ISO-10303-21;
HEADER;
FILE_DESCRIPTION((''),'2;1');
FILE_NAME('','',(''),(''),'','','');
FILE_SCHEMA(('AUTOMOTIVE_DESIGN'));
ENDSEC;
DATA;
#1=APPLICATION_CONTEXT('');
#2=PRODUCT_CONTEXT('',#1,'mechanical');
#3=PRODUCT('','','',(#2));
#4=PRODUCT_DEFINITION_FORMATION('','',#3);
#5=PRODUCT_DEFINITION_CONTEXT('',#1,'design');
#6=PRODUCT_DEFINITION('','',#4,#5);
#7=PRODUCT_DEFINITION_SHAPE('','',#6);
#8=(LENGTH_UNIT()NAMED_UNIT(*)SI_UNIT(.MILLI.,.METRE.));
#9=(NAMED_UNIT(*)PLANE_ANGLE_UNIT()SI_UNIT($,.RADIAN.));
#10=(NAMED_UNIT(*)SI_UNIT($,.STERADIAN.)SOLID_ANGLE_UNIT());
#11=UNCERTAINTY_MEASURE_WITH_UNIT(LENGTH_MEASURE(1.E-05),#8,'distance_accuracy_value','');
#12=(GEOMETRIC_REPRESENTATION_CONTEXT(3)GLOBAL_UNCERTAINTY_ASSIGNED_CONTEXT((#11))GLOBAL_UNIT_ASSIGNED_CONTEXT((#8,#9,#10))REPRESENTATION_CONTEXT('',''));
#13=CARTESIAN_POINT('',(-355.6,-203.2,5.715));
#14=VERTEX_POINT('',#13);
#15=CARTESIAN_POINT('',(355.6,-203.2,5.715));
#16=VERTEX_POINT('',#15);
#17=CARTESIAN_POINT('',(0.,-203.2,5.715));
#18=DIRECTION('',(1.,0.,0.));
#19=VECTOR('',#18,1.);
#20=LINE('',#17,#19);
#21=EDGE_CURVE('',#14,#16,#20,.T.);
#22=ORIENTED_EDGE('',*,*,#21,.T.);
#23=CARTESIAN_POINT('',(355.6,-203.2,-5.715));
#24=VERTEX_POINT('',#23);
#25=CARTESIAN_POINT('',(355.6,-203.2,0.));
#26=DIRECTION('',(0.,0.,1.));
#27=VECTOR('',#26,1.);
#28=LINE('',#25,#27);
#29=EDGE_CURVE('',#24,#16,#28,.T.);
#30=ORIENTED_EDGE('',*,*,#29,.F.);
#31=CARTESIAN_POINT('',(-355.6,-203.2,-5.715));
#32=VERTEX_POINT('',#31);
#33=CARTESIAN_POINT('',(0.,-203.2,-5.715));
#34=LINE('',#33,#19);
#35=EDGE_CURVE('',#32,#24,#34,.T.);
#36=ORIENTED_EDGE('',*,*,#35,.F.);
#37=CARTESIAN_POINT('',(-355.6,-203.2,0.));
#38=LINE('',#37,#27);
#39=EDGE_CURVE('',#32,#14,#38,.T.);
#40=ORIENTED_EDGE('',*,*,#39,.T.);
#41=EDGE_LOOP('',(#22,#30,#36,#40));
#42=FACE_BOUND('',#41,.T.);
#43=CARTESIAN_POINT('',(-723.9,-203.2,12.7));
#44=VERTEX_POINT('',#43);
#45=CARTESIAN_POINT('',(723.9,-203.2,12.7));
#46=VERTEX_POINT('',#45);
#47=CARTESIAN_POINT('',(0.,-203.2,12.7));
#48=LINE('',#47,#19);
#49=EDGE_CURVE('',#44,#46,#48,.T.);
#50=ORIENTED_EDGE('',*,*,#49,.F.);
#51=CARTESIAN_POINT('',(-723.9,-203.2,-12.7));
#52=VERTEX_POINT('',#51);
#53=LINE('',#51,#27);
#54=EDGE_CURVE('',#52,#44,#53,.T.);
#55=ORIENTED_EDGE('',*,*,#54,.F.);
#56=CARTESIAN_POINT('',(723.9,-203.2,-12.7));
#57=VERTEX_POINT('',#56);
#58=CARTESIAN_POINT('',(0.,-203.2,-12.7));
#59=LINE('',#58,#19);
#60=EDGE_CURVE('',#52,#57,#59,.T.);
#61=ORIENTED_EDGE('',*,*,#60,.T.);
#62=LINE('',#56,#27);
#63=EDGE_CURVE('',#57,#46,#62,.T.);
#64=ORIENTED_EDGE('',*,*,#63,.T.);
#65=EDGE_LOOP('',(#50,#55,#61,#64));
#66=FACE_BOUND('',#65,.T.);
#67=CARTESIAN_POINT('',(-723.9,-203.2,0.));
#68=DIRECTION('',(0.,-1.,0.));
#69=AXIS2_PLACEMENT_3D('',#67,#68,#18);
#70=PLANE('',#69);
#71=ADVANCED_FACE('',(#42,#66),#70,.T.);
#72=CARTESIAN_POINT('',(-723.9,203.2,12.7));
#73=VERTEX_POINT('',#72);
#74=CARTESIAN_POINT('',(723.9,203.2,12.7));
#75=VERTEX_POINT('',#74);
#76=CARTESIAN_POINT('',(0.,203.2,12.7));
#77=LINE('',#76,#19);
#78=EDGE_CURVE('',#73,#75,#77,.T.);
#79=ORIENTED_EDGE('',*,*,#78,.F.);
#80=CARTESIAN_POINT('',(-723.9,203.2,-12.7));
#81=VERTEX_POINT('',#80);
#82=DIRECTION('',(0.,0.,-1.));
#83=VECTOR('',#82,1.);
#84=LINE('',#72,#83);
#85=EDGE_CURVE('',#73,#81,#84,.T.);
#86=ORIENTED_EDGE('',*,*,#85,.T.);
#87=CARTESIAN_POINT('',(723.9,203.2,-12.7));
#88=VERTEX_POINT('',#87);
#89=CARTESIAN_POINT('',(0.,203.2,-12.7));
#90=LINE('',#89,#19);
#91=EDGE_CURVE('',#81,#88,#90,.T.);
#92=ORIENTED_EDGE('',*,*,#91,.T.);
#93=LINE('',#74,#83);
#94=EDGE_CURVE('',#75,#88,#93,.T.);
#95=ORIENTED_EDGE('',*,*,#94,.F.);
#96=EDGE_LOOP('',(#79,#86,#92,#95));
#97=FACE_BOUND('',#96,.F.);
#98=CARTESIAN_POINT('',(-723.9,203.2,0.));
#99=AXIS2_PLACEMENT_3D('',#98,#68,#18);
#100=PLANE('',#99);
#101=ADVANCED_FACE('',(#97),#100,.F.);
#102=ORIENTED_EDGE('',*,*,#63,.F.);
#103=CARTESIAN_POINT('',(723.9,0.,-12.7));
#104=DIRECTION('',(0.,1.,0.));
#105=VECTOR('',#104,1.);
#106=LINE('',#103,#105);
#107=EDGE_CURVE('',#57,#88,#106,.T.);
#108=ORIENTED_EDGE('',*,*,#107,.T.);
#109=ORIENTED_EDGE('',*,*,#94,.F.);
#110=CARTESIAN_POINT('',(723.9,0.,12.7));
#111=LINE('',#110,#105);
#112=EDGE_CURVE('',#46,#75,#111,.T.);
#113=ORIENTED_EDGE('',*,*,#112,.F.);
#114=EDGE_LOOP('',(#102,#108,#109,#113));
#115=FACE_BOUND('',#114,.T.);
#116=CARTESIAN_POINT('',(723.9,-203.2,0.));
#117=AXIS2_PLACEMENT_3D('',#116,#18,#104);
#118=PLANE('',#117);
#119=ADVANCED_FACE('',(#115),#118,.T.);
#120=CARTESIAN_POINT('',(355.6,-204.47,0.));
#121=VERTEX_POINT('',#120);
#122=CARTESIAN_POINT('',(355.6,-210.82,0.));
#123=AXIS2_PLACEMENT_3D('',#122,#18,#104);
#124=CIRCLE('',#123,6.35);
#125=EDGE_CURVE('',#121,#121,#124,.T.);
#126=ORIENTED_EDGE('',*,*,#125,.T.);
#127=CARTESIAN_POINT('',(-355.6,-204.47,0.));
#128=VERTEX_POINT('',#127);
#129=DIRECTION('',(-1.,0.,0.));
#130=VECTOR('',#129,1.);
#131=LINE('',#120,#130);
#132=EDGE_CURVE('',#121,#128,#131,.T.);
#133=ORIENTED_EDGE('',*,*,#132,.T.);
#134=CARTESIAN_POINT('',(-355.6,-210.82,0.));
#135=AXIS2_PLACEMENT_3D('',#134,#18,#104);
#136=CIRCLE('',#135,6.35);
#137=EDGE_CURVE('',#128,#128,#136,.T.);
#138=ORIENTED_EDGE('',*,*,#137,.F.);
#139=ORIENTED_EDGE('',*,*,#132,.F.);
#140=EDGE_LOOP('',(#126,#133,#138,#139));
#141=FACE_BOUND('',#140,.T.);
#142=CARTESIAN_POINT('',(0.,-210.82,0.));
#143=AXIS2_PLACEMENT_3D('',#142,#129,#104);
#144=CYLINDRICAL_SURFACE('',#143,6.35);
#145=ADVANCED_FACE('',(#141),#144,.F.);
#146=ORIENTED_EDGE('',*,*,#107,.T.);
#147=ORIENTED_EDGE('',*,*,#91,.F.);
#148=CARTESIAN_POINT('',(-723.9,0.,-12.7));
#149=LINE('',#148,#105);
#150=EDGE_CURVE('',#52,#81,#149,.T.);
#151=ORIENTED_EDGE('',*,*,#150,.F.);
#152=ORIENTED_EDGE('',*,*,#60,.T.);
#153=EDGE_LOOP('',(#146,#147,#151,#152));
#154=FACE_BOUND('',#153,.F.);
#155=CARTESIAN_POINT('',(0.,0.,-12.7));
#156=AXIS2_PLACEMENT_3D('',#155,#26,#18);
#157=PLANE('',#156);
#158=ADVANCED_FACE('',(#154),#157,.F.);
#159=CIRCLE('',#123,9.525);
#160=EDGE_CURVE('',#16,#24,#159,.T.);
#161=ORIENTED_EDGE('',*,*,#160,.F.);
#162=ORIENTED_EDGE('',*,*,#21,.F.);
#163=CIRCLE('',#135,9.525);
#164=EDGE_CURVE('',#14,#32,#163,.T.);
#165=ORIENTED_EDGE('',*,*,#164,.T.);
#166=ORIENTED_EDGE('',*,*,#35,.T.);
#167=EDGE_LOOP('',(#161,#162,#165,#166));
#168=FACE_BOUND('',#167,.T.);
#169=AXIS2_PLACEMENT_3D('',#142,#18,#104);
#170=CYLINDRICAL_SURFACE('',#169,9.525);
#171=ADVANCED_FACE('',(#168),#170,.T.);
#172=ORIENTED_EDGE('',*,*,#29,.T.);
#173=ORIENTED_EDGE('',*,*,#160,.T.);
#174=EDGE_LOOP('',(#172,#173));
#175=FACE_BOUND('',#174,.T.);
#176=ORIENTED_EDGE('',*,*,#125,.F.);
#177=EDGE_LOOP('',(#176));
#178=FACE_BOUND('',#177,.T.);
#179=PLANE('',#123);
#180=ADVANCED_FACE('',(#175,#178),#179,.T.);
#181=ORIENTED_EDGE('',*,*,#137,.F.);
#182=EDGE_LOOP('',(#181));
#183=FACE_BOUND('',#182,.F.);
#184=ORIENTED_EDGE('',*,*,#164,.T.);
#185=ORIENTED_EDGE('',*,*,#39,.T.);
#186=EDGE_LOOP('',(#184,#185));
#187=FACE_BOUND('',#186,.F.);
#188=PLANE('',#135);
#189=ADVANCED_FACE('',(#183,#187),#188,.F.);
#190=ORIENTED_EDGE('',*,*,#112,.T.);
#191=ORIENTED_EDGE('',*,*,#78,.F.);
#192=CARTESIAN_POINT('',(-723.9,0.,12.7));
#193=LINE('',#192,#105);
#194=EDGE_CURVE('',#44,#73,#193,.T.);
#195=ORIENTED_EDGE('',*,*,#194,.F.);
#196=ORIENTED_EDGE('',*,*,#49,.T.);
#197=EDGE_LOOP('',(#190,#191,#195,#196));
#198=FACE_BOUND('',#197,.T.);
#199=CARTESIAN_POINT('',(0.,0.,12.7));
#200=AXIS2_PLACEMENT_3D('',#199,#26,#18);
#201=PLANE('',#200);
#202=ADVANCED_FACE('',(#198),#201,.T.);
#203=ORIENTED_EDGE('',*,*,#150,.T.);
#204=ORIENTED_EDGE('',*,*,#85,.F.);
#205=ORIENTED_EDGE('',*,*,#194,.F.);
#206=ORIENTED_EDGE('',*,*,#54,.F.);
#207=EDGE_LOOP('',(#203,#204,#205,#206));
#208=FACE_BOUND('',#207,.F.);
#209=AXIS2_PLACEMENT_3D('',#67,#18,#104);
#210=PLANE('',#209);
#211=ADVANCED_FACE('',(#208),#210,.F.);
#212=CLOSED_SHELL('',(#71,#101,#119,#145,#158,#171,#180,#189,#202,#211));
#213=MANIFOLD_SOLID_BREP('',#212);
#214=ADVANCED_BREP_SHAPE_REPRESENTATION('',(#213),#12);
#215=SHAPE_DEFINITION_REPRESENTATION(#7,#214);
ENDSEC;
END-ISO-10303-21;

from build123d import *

# Parameters (mm, degrees)
F0_W     = 1447.8
F0_H     = 406.4
F2_DEPTH = 12.7
F1_R     = 9.525
F1_R_2   = 6.35
F3_DEPTH = 355.6


with BuildPart() as f2:
    # F0 (on Top) → F2 (new body, symmetric)
    with BuildSketch(Plane.XY):
        Rectangle(F0_W, F0_H)
    extrude(amount=F2_DEPTH, both=True)

    # F1 (on Right) → F3 (join, symmetric)
    with BuildSketch(Plane.YZ):
        with Locations((-210.82, 0)):
            Circle(F1_R)
        with Locations((-210.82, 0)):
            Circle(F1_R_2, mode=Mode.SUBTRACT)
    extrude(amount=F3_DEPTH, both=True)


solid = f2.part
